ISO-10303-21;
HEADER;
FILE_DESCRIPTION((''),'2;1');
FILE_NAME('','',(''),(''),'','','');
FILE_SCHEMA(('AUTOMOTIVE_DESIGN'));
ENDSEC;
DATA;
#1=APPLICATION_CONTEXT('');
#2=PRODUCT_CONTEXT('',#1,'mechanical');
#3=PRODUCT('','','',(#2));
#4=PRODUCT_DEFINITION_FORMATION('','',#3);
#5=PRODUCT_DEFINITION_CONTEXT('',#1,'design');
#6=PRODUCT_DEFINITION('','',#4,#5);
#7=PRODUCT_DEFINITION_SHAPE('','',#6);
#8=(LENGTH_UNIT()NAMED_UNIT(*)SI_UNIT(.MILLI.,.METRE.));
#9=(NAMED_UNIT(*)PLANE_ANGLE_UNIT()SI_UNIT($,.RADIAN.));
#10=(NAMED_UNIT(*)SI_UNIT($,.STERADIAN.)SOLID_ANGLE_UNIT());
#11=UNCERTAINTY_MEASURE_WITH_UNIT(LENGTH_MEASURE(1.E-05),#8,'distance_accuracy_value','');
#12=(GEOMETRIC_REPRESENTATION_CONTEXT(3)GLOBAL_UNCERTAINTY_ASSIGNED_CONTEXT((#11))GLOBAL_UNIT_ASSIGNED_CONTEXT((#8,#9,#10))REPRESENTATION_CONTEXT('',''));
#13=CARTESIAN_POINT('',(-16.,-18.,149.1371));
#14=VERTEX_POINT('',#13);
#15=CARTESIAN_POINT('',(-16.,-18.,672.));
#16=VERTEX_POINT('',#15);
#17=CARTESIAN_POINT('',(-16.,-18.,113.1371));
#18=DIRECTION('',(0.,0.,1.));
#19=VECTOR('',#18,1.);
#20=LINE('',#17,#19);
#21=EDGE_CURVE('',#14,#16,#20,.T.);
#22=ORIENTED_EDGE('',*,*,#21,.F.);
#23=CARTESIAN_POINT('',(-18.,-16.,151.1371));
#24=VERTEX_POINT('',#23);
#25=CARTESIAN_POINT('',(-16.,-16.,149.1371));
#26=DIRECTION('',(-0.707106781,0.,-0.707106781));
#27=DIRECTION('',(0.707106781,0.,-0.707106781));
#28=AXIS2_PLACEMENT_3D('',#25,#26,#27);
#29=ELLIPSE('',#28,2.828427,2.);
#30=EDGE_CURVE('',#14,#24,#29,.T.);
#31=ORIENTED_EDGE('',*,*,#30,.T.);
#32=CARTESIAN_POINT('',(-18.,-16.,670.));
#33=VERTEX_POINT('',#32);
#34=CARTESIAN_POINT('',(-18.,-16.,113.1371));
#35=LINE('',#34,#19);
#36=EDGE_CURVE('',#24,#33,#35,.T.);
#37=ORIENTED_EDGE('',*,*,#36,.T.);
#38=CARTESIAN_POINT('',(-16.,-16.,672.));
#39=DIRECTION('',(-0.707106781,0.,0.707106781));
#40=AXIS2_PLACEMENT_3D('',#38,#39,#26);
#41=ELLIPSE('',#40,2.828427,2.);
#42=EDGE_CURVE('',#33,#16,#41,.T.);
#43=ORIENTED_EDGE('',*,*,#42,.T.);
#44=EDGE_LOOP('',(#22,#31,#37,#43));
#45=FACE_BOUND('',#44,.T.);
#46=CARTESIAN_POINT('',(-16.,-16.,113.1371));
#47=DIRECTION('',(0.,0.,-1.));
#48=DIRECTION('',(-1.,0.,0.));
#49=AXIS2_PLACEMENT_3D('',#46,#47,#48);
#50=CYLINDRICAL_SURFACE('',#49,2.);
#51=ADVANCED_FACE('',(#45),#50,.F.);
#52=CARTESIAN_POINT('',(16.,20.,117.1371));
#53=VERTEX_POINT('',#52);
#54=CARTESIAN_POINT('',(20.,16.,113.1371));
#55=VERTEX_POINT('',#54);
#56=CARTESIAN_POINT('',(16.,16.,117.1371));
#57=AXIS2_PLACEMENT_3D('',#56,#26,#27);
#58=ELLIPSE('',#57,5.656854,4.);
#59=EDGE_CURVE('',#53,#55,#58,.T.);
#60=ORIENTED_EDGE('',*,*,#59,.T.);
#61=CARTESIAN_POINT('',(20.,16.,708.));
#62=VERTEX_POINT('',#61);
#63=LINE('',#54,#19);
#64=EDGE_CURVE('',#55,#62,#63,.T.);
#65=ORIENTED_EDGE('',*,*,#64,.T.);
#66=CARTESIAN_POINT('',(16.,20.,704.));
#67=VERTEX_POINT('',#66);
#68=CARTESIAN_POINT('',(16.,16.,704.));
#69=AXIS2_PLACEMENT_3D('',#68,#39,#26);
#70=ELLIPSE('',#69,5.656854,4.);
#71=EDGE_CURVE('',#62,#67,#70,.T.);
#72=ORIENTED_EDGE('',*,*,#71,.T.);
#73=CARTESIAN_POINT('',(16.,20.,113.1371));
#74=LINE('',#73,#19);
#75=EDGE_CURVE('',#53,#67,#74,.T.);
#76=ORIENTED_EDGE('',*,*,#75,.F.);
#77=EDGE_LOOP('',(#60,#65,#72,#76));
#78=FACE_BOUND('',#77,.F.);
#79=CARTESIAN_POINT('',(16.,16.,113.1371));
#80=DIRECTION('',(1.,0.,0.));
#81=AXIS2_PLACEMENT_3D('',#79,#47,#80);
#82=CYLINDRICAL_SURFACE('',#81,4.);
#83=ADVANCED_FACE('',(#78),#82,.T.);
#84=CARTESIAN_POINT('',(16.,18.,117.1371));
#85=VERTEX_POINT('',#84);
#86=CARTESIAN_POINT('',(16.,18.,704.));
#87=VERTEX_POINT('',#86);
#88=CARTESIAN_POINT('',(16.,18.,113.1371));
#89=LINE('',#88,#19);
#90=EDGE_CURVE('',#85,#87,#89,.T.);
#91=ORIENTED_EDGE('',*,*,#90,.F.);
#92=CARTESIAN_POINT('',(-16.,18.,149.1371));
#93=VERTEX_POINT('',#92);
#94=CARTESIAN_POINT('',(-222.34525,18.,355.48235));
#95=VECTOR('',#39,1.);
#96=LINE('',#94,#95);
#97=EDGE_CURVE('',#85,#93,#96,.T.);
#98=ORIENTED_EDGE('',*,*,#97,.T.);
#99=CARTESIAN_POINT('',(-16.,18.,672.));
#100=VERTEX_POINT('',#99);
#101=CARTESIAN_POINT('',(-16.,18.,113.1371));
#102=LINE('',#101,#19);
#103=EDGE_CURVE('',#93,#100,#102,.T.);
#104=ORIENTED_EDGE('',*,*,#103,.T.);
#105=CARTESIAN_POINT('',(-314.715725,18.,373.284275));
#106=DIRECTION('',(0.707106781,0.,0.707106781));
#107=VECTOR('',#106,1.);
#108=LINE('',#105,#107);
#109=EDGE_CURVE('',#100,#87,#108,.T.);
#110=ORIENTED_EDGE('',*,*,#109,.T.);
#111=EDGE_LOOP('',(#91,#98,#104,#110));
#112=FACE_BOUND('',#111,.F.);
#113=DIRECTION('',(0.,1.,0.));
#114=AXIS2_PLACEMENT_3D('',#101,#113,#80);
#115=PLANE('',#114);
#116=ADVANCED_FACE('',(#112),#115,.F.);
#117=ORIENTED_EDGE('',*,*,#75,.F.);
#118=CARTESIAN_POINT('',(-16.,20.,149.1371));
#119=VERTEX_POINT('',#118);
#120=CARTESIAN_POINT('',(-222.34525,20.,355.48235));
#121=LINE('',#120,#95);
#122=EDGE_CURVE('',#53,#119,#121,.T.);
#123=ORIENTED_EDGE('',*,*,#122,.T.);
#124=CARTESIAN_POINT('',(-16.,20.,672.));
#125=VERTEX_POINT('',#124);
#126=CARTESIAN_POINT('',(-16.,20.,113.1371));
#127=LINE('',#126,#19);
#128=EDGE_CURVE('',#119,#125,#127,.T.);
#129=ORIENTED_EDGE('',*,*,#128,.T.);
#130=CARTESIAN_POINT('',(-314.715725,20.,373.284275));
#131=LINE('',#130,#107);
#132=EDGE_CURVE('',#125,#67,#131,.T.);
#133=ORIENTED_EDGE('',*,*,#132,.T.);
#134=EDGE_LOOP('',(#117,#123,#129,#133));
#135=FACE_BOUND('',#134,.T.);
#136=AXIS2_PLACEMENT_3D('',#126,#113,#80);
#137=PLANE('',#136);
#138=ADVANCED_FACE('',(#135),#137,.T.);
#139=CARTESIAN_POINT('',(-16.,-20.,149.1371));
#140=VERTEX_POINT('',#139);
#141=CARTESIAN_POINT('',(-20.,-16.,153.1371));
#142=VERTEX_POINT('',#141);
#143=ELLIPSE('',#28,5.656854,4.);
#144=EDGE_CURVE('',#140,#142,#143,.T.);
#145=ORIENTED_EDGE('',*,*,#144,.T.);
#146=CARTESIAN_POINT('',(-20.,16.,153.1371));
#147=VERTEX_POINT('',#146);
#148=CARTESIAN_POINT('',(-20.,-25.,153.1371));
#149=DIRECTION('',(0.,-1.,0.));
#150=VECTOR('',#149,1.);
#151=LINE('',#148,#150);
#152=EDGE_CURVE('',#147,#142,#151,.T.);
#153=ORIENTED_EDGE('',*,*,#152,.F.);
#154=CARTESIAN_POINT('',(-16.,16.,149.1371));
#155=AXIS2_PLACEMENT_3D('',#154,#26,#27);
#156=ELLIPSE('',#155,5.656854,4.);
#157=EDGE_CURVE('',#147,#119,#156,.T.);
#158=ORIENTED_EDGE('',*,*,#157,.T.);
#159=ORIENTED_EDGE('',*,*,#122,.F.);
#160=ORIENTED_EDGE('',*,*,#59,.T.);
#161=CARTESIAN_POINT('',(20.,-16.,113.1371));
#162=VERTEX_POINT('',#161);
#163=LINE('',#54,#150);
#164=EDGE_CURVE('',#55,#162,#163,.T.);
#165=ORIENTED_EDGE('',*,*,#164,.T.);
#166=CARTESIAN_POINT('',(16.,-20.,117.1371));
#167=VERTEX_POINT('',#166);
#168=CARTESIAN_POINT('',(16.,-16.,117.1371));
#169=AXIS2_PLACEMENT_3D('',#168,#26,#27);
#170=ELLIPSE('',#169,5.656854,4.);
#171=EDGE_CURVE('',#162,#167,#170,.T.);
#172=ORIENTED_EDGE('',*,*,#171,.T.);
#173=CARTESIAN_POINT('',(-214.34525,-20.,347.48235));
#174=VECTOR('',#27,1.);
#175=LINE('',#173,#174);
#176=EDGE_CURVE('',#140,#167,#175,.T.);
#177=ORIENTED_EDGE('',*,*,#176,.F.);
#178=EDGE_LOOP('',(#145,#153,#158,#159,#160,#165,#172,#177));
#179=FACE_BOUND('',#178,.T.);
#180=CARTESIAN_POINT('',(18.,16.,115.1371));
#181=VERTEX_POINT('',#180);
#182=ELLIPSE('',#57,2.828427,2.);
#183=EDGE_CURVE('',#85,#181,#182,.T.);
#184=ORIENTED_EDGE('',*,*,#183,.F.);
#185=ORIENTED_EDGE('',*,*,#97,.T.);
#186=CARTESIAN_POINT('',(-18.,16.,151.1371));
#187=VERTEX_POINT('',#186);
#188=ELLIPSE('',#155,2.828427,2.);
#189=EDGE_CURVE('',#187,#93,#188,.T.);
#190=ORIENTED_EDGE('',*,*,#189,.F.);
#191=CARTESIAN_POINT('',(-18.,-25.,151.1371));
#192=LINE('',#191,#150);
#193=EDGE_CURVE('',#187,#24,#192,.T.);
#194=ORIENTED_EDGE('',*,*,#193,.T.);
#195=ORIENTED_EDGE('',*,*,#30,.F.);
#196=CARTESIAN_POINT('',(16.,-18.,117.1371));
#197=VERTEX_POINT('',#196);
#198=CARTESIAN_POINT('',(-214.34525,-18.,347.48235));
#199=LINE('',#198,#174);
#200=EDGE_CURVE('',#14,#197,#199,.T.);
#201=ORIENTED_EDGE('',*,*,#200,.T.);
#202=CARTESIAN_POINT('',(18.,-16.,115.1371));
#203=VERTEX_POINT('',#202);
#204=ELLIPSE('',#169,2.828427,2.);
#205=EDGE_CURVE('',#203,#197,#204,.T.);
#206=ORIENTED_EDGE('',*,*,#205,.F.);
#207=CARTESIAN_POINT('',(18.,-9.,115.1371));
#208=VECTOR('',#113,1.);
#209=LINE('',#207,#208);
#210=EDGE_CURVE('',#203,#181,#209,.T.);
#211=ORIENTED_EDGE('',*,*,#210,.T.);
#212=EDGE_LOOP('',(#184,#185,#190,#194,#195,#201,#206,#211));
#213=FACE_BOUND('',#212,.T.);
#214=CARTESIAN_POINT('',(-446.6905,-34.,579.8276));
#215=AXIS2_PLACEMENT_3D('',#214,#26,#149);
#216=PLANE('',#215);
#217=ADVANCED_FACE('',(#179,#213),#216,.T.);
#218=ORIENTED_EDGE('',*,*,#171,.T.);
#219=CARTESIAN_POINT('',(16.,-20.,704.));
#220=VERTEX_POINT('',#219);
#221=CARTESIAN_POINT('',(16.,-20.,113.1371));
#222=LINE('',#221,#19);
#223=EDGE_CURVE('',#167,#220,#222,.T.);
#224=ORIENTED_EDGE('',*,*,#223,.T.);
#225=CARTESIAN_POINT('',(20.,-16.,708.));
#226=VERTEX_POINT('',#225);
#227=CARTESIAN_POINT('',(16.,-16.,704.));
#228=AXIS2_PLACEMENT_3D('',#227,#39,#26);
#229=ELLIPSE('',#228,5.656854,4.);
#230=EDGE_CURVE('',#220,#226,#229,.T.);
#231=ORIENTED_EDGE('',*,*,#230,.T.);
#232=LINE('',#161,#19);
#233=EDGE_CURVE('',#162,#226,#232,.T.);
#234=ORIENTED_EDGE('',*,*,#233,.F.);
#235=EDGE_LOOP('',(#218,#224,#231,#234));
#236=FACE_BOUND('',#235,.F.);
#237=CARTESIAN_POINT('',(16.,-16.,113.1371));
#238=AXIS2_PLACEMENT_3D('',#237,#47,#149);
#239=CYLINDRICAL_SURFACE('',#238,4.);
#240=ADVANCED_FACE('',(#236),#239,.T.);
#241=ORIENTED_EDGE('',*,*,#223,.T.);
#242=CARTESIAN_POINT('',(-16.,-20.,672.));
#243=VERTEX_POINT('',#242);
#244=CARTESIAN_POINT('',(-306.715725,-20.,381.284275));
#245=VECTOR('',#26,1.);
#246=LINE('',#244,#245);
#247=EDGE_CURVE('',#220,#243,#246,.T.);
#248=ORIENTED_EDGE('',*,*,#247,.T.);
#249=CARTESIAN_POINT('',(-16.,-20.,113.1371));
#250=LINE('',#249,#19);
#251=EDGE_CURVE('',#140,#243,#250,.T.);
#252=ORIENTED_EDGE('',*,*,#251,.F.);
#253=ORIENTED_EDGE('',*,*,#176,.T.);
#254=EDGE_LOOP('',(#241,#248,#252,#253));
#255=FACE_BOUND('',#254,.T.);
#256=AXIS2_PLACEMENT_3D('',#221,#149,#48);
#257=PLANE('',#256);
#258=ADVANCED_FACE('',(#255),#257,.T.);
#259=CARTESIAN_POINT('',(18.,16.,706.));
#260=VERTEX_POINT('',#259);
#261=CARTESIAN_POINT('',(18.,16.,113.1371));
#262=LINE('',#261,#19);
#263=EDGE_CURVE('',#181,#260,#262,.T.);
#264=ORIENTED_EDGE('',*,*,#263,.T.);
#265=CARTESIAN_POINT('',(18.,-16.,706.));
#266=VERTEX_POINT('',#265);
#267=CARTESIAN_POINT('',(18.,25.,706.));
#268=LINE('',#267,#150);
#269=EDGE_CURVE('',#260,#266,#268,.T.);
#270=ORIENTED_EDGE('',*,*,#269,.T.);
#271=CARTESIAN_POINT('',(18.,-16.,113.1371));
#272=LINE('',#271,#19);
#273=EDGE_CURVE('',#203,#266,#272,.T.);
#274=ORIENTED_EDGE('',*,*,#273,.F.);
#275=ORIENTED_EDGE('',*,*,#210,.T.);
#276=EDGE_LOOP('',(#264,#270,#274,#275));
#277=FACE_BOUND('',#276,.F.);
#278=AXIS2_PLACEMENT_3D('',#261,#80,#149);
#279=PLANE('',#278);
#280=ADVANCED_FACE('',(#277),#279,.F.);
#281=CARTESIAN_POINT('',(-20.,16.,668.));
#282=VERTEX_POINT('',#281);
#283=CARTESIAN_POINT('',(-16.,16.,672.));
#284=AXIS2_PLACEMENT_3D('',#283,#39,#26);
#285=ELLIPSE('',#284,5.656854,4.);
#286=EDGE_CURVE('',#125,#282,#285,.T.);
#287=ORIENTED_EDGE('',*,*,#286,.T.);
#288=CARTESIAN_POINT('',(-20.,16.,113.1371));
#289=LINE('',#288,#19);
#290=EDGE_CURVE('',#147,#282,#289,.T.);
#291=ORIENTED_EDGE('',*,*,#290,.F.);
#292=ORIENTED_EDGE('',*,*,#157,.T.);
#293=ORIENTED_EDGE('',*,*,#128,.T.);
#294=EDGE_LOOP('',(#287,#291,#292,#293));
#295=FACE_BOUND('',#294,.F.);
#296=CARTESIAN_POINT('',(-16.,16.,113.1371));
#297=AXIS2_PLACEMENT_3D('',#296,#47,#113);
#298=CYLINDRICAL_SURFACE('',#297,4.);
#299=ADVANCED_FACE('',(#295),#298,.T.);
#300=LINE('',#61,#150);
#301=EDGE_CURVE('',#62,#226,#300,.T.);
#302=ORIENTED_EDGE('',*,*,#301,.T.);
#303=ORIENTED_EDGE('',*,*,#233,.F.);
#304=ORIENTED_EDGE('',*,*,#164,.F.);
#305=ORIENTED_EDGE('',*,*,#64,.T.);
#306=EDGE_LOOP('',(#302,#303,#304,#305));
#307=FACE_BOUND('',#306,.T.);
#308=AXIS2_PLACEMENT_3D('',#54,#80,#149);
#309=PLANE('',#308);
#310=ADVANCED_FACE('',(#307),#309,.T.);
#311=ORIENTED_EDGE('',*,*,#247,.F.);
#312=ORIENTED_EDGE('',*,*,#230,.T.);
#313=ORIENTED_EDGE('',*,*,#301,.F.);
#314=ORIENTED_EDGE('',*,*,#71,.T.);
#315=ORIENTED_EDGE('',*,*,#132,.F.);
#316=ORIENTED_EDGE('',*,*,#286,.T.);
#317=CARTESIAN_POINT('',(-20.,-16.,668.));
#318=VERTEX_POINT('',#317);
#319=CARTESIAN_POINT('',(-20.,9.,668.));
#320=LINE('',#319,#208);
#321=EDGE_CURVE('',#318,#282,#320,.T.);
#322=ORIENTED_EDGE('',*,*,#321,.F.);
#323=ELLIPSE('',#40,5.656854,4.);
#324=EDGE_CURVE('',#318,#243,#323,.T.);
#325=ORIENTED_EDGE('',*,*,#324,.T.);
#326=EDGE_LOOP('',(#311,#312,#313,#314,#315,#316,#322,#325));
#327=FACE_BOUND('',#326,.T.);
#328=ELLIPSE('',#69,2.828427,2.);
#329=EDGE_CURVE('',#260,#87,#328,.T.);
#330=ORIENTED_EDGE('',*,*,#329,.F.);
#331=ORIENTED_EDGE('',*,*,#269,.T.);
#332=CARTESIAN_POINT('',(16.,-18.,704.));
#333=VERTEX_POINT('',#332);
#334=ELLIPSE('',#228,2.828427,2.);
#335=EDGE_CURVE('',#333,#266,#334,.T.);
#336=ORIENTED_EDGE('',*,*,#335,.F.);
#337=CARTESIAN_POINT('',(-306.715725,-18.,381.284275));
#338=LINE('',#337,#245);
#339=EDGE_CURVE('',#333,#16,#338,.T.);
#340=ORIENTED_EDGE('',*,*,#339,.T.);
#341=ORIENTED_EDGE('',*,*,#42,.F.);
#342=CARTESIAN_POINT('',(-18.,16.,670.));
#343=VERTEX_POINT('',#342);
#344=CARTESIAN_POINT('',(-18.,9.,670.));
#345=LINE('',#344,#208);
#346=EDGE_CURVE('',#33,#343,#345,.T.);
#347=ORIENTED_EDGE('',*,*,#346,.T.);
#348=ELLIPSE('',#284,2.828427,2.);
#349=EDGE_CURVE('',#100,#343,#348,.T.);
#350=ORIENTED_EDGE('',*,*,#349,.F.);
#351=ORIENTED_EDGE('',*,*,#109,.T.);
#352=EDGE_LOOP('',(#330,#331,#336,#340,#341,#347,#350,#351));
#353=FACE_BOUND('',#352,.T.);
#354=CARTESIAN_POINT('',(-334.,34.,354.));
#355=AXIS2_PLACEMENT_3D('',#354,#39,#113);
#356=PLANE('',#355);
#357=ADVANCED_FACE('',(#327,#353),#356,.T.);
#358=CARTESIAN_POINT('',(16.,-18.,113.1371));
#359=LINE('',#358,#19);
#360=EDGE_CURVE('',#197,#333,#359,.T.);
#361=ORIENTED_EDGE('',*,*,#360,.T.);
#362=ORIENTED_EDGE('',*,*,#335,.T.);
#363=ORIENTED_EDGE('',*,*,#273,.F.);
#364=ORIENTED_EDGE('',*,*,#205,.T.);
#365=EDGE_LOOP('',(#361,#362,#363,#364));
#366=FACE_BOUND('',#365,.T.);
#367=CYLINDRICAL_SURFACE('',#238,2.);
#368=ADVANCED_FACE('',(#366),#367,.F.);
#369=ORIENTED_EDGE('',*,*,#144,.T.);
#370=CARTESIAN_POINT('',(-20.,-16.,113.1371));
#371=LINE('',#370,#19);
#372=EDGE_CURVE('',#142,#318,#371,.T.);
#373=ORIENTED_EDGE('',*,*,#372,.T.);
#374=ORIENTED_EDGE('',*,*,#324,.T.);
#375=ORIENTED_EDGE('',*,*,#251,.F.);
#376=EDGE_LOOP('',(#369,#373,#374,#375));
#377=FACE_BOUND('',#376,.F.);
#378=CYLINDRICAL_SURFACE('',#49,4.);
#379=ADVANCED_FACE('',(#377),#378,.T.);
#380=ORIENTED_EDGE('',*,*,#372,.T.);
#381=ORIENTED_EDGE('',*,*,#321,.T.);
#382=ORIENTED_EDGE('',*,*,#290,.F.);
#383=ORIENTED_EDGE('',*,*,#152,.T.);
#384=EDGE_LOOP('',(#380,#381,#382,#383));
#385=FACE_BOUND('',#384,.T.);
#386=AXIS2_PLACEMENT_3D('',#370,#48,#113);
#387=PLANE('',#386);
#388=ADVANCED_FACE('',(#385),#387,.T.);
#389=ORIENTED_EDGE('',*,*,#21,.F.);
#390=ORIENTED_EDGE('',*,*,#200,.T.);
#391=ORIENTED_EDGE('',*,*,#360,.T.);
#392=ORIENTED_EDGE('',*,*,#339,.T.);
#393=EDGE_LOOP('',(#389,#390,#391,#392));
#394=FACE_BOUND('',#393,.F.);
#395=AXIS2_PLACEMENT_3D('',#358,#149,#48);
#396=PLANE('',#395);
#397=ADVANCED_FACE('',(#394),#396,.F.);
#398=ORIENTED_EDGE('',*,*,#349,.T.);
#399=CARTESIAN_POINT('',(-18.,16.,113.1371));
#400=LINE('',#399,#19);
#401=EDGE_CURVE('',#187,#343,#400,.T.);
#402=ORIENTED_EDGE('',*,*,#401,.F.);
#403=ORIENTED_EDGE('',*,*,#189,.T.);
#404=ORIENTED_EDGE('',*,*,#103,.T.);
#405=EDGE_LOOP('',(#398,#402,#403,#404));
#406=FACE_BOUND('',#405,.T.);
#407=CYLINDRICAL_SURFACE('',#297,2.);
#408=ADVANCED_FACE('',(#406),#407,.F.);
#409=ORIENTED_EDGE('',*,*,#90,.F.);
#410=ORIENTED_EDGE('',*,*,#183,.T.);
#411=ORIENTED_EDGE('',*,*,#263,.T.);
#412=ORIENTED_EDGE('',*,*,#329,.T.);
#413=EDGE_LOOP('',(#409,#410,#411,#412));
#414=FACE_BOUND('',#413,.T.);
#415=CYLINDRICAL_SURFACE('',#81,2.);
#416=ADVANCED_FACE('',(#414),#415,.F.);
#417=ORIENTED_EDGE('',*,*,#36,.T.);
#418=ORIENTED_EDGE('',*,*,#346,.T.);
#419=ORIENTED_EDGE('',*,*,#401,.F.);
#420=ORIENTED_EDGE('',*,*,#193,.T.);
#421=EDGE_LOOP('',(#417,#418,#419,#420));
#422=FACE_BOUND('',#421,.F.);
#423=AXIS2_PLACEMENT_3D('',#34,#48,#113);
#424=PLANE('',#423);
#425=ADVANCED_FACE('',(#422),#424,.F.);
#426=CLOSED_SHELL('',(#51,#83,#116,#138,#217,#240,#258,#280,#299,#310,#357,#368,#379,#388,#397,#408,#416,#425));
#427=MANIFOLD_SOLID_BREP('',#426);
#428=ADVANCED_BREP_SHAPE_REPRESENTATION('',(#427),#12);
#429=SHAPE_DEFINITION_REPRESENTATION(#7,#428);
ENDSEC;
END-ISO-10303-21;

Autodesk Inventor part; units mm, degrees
ref_plane "Start Plane" through (0, 0, 113.1371) normal (0, 0, 1) x (1, 0, 0)
ref_plane "End Plane" through (0, 0, 708) normal (0, 0, 1) x (1, 0, 0)
sketch "Sketch" plane through (0, 0, 0) normal (0, 0, 1) x (1, 0, 0)
  line L0 (-20, -16) -> (-20, 16)
  line L1 (-16, 20) -> (16, 20)
  line L2 (20, 16) -> (20, -16)
  line L3 (16, -20) -> (-16, -20)
  arc A0 (-20, -16) -> (-16, -20) centre (-16, -16) ccw
  arc A1 (20, 16) -> (16, 20) centre (16, 16) ccw
  arc A2 (-16, 20) -> (-20, 16) centre (-16, 16) ccw
  arc A3 (16, -20) -> (20, -16) centre (16, -16) ccw
  arc A4 (-16, 18) -> (-18, 16) centre (-16, 16) ccw
  line L4 (-16, 18) -> (16, 18)
  arc A5 (18, 16) -> (16, 18) centre (16, 16) ccw
  line L5 (18, 16) -> (18, -16)
  arc A6 (16, -18) -> (18, -16) centre (16, -16) ccw
  line L6 (16, -18) -> (-16, -18)
  arc A7 (-18, -16) -> (-16, -18) centre (-16, -16) ccw
  line L7 (-18, -16) -> (-18, 16)
  line L8 (0, 29.1598) -> (0, -29.1598) construction
  line L9 (-29.1598, 0) -> (29.1598, 0) construction
  dimension "d7" = 4
  dimension "d9" = 40
  dimension "d11" = 40
  dimension "d12" = 2
  dimension "d15" = 20
  dimension "d16" = 20
extrude "Body" add sketch "Sketch" along normal up to surface (594.8629 mm away) from surface at 113.1371
sketch "Sketch3" plane through (0, 0, 0) normal (0, 0, 1) x (1, 0, 0)
  line L0 (0, 0) -> (10, 0)
ref_plane "Work Plane3" through (0, 0, 0) normal (0, -1, 0) x (1, 0, 0)
ref_plane "Work Plane4" through (-446.6905, -34, 579.8276) normal (-0.7071, 0, -0.7071) x (-0.7071, 0, 0.7071)
split "Split1" plane through (-446.6905, -34, 579.8276) removes the side toward (-0.7071, 0, -0.7071)
ref_plane "Work Plane5" through (-334, 34, 354) normal (-0.7071, 0, 0.7071) x (0.7071, 0, 0.7071)
split "Split2" plane through (-334, 34, 354) removes the side toward (-0.7071, 0, 0.7071)
sketch "Sketch4" plane through (0, 0, 0) normal (0, -1, 0) x (1, 0, 0)
  line L0 (-2, 113.1371) -> (12, 113.1371) projected
  line L1 (-2, 708) -> (12, 708) projected
  dimension "d18" = 594.8629
equation "\"d7\" = G_IR"
equation "\"d9\" = G_W"
equation "\"d11\" = G_H"
equation "\"d12\" = G_T"
equation "\"d15\" = 0.5 * d9"
equation "\"d16\" = 0.5 * d11"
equation "\"d3\" = G_L"
equation "\"G_W\" = 40"
equation "\"G_H\" = 40"
equation "\"G_T\" = 2"
equation "\"G_IR\" = 4"
equation "\"G_L\" = d18"
equation "\"G_OFFSET_START\" = -113.13708"
equation "\"G_OFFSET_END\" = 0"
equation "\"d13\" = -G_OFFSET_START"
equation "\"d14\" = G_OFFSET_END + B_L"
equation "\"B_L\" = 708"
properties part number "ISO 10799-2 - 40x40x2 - 594,86" material "Steel, Mild"
